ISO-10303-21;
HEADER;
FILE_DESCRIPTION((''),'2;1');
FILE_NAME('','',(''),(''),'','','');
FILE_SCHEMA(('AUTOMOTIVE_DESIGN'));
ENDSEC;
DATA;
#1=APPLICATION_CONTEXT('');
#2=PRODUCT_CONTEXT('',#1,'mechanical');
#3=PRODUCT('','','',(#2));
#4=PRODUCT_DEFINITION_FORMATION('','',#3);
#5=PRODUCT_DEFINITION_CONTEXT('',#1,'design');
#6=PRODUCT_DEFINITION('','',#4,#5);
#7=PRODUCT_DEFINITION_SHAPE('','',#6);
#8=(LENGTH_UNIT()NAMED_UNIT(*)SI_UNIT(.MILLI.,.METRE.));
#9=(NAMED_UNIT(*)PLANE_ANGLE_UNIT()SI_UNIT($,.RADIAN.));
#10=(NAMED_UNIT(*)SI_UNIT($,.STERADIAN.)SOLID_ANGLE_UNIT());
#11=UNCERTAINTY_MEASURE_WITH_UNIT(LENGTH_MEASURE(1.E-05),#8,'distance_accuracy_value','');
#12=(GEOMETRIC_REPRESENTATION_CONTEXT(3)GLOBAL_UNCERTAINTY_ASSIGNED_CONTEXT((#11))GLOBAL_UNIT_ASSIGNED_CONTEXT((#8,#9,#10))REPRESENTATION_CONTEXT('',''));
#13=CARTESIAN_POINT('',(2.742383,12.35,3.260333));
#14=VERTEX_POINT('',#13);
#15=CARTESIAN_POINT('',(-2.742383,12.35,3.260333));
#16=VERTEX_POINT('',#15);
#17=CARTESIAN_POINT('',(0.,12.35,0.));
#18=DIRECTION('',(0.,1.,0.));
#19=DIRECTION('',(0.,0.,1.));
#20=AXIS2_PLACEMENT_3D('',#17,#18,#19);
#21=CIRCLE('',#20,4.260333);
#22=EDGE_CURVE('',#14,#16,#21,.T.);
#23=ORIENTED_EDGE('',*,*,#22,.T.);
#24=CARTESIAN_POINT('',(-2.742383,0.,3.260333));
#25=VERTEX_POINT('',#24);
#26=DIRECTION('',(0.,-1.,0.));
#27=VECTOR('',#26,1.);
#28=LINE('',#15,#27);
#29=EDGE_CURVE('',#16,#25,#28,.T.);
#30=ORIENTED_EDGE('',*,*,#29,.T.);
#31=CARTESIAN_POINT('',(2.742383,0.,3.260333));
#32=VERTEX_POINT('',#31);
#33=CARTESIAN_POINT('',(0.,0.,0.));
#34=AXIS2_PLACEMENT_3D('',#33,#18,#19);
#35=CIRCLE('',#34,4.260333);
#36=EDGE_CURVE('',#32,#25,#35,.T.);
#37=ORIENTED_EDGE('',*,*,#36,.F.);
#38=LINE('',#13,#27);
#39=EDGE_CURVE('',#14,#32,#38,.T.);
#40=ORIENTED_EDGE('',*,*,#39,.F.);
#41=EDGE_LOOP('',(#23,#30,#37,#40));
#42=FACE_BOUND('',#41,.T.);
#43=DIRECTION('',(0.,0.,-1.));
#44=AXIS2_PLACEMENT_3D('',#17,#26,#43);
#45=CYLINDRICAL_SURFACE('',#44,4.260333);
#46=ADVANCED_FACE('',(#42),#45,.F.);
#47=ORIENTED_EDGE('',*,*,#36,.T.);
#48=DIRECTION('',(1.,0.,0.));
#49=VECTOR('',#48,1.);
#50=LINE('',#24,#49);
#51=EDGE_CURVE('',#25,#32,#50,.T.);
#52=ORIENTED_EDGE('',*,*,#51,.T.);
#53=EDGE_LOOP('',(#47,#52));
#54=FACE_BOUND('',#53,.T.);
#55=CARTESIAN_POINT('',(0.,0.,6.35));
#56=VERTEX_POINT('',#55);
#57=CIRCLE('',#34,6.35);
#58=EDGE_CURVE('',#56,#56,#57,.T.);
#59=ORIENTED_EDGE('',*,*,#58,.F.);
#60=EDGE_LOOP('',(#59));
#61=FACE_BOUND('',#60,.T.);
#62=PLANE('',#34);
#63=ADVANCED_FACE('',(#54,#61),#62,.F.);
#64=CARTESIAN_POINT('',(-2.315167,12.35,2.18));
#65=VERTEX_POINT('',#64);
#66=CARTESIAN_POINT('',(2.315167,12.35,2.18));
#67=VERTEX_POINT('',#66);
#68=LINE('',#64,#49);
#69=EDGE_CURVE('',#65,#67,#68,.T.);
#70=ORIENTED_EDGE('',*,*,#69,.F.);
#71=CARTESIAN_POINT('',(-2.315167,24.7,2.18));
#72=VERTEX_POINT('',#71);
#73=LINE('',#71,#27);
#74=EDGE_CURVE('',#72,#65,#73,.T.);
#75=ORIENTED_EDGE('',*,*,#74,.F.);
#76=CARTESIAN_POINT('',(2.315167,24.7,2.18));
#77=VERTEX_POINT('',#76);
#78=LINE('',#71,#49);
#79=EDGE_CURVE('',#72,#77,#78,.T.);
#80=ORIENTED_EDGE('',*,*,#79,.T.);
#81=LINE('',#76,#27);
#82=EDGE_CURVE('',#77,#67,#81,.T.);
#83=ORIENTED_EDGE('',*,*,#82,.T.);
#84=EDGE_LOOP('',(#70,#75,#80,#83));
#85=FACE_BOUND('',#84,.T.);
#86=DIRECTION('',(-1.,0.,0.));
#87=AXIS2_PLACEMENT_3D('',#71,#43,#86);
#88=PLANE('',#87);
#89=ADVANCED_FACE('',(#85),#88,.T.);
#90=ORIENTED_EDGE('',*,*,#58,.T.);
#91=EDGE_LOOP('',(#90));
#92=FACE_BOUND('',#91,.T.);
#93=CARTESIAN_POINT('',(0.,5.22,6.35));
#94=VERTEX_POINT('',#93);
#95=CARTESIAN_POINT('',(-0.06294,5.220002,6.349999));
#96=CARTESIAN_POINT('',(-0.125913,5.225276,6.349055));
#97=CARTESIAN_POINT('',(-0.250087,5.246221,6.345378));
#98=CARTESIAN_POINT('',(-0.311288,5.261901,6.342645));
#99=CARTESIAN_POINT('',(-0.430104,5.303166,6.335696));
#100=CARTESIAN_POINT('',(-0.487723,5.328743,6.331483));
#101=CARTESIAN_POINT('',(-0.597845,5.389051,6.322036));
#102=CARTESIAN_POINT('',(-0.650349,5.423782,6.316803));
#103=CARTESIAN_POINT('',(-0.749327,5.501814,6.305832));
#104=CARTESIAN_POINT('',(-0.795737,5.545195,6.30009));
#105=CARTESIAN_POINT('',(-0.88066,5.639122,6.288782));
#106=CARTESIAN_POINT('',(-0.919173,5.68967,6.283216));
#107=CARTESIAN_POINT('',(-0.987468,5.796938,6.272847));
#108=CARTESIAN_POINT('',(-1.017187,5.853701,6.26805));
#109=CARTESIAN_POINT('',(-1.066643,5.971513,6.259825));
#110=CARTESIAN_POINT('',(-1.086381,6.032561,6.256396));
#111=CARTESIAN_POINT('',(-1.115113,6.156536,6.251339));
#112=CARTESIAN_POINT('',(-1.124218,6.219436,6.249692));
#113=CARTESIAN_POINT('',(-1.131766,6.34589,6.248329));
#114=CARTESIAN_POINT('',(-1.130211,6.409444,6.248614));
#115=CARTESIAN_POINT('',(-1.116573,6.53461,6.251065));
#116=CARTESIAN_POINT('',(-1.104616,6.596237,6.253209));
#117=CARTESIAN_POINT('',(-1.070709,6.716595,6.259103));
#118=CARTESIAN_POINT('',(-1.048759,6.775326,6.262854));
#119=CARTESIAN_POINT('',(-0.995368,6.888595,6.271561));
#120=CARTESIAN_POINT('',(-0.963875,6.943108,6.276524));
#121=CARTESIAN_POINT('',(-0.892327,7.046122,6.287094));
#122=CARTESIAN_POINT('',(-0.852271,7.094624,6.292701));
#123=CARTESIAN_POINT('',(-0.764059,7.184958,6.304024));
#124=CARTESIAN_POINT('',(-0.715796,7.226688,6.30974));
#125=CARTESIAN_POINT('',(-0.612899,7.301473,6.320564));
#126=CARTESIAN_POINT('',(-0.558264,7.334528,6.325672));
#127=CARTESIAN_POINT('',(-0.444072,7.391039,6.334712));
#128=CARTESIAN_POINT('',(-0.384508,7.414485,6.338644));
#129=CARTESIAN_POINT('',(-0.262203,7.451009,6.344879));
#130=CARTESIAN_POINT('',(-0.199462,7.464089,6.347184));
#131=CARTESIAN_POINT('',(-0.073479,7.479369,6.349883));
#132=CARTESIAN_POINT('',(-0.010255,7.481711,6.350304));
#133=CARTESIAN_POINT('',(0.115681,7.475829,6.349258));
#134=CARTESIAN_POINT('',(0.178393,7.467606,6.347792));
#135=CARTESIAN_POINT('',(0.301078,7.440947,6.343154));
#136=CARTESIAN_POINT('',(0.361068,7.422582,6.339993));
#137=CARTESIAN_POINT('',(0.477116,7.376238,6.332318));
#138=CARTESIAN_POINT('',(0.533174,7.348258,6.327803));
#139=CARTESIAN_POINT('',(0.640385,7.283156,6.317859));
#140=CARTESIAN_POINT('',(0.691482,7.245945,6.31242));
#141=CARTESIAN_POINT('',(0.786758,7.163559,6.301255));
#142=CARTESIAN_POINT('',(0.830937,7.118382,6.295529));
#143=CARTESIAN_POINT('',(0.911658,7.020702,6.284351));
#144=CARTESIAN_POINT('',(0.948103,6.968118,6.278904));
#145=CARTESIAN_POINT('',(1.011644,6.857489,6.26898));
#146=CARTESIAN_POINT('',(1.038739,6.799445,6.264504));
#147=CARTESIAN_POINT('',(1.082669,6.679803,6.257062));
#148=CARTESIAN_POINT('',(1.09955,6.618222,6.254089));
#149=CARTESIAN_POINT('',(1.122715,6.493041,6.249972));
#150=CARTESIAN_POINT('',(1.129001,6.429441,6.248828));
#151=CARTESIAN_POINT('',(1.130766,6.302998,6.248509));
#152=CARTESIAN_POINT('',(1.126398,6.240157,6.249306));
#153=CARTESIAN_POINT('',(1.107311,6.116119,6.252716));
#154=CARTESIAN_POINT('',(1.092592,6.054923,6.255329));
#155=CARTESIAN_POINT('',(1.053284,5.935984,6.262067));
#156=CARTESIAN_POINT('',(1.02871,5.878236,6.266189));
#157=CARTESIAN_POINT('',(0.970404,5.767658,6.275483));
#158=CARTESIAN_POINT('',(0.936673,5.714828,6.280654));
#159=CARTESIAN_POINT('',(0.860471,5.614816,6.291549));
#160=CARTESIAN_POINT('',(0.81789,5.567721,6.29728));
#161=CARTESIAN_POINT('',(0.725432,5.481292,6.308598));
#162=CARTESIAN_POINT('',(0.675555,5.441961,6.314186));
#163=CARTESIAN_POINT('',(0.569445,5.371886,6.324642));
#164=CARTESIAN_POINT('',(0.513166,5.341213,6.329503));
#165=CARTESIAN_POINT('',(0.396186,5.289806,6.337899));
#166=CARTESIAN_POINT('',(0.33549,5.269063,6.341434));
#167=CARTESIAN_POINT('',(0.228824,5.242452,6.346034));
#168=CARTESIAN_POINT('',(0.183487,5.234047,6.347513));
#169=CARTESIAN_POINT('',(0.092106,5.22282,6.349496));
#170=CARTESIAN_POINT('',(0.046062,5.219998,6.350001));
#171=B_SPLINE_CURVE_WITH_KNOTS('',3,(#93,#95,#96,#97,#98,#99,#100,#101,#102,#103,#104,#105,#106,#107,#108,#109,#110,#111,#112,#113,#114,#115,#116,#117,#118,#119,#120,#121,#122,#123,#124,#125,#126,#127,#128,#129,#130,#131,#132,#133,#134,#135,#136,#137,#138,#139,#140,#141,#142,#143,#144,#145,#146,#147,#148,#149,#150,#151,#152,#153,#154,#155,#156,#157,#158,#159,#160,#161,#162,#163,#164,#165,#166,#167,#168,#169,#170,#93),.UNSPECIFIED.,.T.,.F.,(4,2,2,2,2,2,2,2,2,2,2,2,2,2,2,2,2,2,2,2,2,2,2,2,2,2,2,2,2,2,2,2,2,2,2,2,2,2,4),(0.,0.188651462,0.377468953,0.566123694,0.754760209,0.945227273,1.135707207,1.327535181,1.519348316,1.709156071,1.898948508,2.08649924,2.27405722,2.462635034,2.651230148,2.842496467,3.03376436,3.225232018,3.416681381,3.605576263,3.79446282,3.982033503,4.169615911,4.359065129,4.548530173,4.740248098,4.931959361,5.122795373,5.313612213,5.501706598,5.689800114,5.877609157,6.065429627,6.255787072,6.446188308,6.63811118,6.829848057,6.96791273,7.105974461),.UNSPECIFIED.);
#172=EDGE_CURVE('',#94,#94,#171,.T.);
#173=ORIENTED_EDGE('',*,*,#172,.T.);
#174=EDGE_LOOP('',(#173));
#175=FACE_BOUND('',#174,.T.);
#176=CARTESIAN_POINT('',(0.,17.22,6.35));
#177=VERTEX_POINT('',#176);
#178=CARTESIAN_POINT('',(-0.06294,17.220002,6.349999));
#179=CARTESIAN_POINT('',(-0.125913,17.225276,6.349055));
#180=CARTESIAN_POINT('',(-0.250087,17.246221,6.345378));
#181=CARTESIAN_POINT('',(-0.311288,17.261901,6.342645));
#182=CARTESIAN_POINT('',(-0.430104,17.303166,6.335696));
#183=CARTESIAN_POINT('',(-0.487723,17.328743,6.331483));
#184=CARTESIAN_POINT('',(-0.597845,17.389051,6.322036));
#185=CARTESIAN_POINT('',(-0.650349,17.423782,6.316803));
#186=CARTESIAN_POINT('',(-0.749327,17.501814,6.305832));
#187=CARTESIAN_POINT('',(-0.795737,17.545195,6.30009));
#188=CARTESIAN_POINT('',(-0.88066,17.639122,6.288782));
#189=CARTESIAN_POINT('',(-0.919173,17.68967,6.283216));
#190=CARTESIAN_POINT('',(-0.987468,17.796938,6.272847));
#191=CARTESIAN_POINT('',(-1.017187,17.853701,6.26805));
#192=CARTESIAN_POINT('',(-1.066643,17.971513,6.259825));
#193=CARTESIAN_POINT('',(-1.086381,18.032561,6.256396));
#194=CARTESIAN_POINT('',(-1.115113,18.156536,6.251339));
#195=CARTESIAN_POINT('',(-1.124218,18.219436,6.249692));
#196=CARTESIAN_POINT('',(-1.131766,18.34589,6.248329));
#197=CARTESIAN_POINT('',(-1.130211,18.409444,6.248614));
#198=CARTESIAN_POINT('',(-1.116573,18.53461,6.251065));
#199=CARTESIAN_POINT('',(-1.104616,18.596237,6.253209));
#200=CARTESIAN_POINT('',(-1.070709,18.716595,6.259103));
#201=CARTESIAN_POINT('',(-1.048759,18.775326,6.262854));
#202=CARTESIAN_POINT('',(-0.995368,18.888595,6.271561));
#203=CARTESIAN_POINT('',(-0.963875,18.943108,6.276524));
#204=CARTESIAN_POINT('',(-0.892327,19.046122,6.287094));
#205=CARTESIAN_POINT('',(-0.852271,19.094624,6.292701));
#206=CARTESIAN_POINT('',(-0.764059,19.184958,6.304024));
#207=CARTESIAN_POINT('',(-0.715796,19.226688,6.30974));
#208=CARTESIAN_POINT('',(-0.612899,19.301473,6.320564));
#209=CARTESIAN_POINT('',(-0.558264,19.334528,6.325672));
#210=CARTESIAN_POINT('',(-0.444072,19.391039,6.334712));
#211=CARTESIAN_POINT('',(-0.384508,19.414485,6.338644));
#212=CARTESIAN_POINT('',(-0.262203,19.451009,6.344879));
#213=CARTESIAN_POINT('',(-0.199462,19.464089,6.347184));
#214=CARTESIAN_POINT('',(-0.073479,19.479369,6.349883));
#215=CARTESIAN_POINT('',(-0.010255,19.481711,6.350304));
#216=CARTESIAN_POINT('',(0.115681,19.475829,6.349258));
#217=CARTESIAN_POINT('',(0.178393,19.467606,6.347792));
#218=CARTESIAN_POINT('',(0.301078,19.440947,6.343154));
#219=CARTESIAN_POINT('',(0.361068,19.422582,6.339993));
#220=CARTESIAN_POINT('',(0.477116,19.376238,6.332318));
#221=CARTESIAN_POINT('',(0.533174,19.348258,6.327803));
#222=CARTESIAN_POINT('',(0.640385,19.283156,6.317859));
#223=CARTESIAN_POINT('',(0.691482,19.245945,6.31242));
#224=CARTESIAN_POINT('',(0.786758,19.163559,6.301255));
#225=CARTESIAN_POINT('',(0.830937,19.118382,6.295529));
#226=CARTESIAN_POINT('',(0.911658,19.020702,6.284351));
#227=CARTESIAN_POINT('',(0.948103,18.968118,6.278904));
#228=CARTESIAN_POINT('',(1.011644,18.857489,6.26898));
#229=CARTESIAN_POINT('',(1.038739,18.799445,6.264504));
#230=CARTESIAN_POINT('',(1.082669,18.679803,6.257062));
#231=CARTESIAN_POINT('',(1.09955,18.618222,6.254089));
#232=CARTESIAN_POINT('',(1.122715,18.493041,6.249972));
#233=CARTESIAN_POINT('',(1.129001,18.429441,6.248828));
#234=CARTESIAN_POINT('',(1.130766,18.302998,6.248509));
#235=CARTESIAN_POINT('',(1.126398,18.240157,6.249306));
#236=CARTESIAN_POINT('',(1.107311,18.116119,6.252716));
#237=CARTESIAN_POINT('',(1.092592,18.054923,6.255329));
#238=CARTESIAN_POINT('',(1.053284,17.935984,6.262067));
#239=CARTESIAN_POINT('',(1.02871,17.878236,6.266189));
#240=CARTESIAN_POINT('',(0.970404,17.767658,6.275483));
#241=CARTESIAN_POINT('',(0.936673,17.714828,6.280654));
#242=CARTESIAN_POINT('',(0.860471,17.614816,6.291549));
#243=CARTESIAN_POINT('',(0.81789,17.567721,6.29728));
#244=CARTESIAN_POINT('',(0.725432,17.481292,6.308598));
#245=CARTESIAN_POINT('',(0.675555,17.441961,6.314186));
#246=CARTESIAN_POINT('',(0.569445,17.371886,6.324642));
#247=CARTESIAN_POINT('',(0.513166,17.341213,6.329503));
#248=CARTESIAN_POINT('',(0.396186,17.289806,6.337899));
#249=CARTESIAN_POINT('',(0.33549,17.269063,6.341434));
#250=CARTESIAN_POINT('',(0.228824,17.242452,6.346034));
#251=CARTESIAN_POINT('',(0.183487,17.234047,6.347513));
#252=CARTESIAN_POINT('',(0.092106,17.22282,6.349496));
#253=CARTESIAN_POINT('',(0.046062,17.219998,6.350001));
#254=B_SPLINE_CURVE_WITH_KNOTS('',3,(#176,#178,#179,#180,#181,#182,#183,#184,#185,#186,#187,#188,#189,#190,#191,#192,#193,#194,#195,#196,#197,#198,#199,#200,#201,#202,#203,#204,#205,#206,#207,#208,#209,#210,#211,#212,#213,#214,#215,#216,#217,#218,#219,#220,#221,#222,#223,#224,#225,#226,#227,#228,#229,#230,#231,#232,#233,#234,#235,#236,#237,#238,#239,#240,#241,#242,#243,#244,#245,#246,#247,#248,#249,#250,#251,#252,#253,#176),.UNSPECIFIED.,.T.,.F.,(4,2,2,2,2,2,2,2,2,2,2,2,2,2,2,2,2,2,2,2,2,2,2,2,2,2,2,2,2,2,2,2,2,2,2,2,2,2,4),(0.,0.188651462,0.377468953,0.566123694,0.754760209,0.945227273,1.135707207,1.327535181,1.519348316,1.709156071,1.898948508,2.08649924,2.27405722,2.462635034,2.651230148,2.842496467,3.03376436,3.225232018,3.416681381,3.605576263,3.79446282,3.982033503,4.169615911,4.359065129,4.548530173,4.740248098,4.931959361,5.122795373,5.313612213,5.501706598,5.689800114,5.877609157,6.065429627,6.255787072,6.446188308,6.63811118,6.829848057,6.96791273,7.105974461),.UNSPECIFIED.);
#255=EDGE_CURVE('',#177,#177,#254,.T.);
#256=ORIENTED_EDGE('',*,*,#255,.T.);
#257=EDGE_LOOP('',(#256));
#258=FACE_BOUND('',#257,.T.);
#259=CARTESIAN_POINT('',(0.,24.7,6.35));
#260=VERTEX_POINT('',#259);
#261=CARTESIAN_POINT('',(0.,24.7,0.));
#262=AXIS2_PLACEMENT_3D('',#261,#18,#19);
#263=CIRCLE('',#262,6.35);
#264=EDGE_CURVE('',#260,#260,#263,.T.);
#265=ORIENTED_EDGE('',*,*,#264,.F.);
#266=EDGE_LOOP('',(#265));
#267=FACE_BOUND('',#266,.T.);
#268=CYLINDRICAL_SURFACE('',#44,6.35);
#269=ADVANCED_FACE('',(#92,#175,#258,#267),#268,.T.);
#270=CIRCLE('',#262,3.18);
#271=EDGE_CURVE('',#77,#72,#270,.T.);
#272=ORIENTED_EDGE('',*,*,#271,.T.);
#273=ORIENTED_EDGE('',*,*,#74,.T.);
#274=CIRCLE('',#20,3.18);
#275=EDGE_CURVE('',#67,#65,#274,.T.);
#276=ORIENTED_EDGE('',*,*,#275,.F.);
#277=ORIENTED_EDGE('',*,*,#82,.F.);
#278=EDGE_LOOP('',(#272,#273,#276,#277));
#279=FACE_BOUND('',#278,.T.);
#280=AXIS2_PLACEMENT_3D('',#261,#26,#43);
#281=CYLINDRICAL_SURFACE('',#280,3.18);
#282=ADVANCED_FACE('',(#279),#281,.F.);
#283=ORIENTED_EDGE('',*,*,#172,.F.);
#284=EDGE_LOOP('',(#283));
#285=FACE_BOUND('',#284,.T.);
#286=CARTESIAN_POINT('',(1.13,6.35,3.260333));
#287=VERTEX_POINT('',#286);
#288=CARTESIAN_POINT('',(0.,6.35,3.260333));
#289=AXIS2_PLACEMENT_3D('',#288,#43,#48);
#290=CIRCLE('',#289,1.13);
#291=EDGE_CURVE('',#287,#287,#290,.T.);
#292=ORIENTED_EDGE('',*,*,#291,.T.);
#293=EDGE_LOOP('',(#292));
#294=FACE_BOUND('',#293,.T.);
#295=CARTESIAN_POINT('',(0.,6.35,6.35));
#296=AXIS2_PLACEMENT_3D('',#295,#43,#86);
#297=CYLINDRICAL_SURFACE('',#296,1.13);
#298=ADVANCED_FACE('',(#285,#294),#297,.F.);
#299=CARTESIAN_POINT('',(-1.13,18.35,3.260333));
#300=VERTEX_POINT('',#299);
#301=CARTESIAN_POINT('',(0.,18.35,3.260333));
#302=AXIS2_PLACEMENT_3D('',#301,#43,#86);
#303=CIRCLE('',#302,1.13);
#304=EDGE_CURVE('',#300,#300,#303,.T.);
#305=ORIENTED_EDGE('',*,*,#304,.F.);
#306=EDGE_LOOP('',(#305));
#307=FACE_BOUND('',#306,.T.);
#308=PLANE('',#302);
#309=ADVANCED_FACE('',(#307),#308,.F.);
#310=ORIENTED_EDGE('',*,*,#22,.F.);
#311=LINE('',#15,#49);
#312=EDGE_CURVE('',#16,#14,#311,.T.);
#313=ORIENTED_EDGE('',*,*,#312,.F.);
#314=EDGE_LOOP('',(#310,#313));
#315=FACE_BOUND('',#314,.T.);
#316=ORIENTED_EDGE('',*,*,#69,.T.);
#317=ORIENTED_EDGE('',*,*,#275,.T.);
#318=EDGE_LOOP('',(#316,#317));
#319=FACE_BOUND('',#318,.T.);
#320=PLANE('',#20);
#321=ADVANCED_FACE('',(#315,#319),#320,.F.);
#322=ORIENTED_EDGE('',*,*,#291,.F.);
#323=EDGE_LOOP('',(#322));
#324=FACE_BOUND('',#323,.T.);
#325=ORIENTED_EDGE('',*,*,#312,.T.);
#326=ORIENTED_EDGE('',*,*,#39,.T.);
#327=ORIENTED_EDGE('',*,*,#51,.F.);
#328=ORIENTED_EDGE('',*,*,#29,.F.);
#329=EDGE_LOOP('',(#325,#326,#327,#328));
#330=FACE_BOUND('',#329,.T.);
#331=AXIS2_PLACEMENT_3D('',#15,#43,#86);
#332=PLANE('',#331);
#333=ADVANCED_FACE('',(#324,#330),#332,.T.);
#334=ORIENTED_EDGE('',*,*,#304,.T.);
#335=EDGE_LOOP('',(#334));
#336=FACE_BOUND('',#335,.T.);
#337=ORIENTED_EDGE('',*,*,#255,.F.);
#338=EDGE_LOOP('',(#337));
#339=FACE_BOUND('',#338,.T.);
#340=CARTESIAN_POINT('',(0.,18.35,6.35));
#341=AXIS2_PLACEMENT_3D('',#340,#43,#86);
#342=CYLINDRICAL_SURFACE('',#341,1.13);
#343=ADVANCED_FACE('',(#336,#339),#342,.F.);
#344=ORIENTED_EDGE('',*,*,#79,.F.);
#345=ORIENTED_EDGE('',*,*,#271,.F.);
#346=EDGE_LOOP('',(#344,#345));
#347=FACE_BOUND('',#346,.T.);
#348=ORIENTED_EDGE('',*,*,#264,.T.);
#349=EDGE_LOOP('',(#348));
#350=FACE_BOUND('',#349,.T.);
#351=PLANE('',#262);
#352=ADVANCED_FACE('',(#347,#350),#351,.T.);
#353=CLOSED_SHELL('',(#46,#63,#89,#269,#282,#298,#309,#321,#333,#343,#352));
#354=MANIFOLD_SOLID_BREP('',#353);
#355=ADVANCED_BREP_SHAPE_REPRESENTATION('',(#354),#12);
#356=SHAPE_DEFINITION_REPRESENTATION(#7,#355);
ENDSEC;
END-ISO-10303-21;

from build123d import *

# Parameters (mm, degrees)
SKETCH1_R           = 6.35
BOSS_EXTRUDE1_DEPTH = 12.35
SKETCH4_R           = 6.35
BOSS_EXTRUDE2_DEPTH = 12.35
SKETCH5_R           = 1.13
CUT_EXTRUDE2_DEPTH  = 28.253825364


with BuildPart() as part:
    # Sketch1 → Boss-Extrude1 (new body)
    with BuildSketch(Plane(origin=(0, 0, 0), x_dir=(1, 0, 0), z_dir=(0, 1, 0))):
        with Locations(Location((0, 0, 0), (0, 0, 270))):
            Circle(SKETCH1_R)
        with BuildLine():
            Line((-2.742383206, -3.260332823), (2.742383206, -3.260332823))
            ThreePointArc((2.742383206, -3.260332823), (0, 4.260332823), (-2.742383206, -3.260332823))
        make_face(mode=Mode.SUBTRACT)
    extrude(amount=BOSS_EXTRUDE1_DEPTH)

    # Sketch4 → Boss-Extrude2 (add)
    with BuildSketch(Plane(origin=(0, 12.35, 0), x_dir=(1, 0, 0), z_dir=(0, 1, 0))):
        with Locations(Location((0, 0, 0), (0, 0, 270))):
            Circle(SKETCH4_R)
        with BuildLine():
            Line((-2.315167381, -2.18), (2.315167381, -2.18))
            ThreePointArc((2.315167381, -2.18), (0, 3.18), (-2.315167381, -2.18))
        make_face(mode=Mode.SUBTRACT)
    extrude(amount=BOSS_EXTRUDE2_DEPTH)

    # Sketch5 → Cut-Extrude2 (cut, through all)
    with BuildSketch(Plane(origin=(0, 0, 3.260332823), x_dir=(-1, 0, 0), z_dir=(0, 0, -1))):
        with Locations((0, 18.35)):
            Circle(SKETCH5_R)
        with Locations(Location((0, 6.35, 0), (0, 0, 270))):
            Circle(SKETCH5_R)
    extrude(amount=-CUT_EXTRUDE2_DEPTH, mode=Mode.SUBTRACT)


solid = part.part
